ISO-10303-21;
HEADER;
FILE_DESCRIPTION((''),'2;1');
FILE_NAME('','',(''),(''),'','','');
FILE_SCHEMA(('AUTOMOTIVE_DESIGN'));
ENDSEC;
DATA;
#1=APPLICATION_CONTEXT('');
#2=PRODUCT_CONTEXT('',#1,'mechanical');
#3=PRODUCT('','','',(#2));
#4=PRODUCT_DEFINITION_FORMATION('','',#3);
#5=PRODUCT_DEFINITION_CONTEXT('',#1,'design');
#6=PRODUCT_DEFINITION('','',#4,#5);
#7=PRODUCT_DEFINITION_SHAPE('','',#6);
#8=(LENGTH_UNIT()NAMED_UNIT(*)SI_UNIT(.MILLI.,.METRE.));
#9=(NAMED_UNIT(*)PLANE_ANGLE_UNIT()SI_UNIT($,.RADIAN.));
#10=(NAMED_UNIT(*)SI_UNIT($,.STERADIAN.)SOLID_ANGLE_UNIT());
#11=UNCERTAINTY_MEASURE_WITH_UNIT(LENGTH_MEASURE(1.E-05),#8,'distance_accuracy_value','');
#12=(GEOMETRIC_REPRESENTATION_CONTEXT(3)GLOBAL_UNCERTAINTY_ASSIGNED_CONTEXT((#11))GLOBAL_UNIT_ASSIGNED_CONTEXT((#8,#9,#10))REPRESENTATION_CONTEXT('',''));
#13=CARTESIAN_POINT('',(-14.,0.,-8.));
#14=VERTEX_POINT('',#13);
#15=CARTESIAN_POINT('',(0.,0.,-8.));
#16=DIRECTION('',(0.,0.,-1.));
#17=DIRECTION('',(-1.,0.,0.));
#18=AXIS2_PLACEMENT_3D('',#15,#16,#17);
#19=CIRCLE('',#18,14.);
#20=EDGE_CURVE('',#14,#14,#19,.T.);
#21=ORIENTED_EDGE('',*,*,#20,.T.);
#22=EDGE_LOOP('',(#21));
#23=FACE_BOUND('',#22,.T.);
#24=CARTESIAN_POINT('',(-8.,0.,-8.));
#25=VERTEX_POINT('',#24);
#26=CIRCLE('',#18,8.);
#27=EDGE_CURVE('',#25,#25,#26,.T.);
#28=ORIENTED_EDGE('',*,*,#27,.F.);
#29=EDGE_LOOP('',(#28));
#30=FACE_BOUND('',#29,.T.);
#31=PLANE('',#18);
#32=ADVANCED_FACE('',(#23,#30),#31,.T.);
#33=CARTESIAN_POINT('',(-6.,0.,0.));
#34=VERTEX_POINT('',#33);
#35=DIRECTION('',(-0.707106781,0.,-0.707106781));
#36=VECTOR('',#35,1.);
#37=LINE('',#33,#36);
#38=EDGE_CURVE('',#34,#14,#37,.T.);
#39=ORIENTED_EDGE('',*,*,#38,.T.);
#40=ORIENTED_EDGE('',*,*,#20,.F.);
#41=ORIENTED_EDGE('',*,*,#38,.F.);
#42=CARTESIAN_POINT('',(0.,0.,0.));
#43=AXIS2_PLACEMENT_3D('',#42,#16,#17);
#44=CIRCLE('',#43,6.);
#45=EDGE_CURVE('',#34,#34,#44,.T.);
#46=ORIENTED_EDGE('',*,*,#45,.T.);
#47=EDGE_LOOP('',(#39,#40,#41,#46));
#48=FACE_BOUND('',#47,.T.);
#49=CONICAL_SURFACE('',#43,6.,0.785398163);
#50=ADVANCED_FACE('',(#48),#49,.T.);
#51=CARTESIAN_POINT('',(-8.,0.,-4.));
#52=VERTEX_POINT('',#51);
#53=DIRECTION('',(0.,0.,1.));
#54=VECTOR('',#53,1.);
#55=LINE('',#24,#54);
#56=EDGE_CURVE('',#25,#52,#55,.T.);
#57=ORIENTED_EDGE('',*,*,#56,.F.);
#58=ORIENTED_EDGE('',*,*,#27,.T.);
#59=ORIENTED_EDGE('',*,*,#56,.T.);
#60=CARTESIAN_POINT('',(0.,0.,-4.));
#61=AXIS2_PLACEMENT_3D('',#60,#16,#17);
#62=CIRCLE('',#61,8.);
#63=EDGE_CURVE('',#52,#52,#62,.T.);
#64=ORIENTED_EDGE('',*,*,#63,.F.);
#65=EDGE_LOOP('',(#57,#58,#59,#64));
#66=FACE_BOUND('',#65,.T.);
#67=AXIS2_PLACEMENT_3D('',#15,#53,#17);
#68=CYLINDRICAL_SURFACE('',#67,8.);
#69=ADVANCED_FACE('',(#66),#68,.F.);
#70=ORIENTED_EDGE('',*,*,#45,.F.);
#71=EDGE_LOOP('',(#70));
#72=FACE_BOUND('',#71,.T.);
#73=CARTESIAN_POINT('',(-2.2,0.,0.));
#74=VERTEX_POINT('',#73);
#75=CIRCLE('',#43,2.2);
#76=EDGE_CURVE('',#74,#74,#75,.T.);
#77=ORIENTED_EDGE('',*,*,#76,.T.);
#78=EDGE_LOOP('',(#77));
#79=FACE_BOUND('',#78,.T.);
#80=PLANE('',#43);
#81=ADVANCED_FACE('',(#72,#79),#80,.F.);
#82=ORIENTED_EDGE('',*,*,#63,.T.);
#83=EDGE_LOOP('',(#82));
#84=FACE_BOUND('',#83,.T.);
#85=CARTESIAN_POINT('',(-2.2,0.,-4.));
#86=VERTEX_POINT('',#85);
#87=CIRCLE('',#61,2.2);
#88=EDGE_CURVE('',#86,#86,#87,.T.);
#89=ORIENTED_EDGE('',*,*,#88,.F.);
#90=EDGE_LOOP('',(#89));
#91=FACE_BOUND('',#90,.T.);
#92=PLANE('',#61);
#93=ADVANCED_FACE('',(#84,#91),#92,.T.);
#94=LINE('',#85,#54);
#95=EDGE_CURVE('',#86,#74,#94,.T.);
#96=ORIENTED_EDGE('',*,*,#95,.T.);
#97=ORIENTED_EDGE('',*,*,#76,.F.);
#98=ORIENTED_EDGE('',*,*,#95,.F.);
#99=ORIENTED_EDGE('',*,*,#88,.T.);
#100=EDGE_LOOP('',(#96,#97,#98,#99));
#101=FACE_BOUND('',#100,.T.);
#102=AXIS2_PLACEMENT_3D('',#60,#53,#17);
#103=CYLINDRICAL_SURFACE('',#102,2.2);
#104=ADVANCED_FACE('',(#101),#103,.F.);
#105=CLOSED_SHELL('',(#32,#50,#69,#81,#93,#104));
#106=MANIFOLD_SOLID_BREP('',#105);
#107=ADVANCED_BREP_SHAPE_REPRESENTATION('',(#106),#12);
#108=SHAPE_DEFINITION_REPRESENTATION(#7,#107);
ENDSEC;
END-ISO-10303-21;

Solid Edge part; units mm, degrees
sketch "Sketch1" plane through (0, 0, 0) normal (0, -1, 0) x (1, 0, 0)
  line L0 (-2.2, -4) -> (-2.2, 0)
  line L1 (-2.2, 0) -> (-6, 0)
  line L2 (-6, 0) -> (-14, -8)
  line L3 (-14, -8) -> (-8, -8)
  line L4 (-8, -8) -> (-8, -4)
  line L5 (-8, -4) -> (-2.2, -4)
revolve "RevolvedProtrusion1" add sketch "Sketch1" angle 360 about axis through (0, 0, 0) along (0, 0, -1)
